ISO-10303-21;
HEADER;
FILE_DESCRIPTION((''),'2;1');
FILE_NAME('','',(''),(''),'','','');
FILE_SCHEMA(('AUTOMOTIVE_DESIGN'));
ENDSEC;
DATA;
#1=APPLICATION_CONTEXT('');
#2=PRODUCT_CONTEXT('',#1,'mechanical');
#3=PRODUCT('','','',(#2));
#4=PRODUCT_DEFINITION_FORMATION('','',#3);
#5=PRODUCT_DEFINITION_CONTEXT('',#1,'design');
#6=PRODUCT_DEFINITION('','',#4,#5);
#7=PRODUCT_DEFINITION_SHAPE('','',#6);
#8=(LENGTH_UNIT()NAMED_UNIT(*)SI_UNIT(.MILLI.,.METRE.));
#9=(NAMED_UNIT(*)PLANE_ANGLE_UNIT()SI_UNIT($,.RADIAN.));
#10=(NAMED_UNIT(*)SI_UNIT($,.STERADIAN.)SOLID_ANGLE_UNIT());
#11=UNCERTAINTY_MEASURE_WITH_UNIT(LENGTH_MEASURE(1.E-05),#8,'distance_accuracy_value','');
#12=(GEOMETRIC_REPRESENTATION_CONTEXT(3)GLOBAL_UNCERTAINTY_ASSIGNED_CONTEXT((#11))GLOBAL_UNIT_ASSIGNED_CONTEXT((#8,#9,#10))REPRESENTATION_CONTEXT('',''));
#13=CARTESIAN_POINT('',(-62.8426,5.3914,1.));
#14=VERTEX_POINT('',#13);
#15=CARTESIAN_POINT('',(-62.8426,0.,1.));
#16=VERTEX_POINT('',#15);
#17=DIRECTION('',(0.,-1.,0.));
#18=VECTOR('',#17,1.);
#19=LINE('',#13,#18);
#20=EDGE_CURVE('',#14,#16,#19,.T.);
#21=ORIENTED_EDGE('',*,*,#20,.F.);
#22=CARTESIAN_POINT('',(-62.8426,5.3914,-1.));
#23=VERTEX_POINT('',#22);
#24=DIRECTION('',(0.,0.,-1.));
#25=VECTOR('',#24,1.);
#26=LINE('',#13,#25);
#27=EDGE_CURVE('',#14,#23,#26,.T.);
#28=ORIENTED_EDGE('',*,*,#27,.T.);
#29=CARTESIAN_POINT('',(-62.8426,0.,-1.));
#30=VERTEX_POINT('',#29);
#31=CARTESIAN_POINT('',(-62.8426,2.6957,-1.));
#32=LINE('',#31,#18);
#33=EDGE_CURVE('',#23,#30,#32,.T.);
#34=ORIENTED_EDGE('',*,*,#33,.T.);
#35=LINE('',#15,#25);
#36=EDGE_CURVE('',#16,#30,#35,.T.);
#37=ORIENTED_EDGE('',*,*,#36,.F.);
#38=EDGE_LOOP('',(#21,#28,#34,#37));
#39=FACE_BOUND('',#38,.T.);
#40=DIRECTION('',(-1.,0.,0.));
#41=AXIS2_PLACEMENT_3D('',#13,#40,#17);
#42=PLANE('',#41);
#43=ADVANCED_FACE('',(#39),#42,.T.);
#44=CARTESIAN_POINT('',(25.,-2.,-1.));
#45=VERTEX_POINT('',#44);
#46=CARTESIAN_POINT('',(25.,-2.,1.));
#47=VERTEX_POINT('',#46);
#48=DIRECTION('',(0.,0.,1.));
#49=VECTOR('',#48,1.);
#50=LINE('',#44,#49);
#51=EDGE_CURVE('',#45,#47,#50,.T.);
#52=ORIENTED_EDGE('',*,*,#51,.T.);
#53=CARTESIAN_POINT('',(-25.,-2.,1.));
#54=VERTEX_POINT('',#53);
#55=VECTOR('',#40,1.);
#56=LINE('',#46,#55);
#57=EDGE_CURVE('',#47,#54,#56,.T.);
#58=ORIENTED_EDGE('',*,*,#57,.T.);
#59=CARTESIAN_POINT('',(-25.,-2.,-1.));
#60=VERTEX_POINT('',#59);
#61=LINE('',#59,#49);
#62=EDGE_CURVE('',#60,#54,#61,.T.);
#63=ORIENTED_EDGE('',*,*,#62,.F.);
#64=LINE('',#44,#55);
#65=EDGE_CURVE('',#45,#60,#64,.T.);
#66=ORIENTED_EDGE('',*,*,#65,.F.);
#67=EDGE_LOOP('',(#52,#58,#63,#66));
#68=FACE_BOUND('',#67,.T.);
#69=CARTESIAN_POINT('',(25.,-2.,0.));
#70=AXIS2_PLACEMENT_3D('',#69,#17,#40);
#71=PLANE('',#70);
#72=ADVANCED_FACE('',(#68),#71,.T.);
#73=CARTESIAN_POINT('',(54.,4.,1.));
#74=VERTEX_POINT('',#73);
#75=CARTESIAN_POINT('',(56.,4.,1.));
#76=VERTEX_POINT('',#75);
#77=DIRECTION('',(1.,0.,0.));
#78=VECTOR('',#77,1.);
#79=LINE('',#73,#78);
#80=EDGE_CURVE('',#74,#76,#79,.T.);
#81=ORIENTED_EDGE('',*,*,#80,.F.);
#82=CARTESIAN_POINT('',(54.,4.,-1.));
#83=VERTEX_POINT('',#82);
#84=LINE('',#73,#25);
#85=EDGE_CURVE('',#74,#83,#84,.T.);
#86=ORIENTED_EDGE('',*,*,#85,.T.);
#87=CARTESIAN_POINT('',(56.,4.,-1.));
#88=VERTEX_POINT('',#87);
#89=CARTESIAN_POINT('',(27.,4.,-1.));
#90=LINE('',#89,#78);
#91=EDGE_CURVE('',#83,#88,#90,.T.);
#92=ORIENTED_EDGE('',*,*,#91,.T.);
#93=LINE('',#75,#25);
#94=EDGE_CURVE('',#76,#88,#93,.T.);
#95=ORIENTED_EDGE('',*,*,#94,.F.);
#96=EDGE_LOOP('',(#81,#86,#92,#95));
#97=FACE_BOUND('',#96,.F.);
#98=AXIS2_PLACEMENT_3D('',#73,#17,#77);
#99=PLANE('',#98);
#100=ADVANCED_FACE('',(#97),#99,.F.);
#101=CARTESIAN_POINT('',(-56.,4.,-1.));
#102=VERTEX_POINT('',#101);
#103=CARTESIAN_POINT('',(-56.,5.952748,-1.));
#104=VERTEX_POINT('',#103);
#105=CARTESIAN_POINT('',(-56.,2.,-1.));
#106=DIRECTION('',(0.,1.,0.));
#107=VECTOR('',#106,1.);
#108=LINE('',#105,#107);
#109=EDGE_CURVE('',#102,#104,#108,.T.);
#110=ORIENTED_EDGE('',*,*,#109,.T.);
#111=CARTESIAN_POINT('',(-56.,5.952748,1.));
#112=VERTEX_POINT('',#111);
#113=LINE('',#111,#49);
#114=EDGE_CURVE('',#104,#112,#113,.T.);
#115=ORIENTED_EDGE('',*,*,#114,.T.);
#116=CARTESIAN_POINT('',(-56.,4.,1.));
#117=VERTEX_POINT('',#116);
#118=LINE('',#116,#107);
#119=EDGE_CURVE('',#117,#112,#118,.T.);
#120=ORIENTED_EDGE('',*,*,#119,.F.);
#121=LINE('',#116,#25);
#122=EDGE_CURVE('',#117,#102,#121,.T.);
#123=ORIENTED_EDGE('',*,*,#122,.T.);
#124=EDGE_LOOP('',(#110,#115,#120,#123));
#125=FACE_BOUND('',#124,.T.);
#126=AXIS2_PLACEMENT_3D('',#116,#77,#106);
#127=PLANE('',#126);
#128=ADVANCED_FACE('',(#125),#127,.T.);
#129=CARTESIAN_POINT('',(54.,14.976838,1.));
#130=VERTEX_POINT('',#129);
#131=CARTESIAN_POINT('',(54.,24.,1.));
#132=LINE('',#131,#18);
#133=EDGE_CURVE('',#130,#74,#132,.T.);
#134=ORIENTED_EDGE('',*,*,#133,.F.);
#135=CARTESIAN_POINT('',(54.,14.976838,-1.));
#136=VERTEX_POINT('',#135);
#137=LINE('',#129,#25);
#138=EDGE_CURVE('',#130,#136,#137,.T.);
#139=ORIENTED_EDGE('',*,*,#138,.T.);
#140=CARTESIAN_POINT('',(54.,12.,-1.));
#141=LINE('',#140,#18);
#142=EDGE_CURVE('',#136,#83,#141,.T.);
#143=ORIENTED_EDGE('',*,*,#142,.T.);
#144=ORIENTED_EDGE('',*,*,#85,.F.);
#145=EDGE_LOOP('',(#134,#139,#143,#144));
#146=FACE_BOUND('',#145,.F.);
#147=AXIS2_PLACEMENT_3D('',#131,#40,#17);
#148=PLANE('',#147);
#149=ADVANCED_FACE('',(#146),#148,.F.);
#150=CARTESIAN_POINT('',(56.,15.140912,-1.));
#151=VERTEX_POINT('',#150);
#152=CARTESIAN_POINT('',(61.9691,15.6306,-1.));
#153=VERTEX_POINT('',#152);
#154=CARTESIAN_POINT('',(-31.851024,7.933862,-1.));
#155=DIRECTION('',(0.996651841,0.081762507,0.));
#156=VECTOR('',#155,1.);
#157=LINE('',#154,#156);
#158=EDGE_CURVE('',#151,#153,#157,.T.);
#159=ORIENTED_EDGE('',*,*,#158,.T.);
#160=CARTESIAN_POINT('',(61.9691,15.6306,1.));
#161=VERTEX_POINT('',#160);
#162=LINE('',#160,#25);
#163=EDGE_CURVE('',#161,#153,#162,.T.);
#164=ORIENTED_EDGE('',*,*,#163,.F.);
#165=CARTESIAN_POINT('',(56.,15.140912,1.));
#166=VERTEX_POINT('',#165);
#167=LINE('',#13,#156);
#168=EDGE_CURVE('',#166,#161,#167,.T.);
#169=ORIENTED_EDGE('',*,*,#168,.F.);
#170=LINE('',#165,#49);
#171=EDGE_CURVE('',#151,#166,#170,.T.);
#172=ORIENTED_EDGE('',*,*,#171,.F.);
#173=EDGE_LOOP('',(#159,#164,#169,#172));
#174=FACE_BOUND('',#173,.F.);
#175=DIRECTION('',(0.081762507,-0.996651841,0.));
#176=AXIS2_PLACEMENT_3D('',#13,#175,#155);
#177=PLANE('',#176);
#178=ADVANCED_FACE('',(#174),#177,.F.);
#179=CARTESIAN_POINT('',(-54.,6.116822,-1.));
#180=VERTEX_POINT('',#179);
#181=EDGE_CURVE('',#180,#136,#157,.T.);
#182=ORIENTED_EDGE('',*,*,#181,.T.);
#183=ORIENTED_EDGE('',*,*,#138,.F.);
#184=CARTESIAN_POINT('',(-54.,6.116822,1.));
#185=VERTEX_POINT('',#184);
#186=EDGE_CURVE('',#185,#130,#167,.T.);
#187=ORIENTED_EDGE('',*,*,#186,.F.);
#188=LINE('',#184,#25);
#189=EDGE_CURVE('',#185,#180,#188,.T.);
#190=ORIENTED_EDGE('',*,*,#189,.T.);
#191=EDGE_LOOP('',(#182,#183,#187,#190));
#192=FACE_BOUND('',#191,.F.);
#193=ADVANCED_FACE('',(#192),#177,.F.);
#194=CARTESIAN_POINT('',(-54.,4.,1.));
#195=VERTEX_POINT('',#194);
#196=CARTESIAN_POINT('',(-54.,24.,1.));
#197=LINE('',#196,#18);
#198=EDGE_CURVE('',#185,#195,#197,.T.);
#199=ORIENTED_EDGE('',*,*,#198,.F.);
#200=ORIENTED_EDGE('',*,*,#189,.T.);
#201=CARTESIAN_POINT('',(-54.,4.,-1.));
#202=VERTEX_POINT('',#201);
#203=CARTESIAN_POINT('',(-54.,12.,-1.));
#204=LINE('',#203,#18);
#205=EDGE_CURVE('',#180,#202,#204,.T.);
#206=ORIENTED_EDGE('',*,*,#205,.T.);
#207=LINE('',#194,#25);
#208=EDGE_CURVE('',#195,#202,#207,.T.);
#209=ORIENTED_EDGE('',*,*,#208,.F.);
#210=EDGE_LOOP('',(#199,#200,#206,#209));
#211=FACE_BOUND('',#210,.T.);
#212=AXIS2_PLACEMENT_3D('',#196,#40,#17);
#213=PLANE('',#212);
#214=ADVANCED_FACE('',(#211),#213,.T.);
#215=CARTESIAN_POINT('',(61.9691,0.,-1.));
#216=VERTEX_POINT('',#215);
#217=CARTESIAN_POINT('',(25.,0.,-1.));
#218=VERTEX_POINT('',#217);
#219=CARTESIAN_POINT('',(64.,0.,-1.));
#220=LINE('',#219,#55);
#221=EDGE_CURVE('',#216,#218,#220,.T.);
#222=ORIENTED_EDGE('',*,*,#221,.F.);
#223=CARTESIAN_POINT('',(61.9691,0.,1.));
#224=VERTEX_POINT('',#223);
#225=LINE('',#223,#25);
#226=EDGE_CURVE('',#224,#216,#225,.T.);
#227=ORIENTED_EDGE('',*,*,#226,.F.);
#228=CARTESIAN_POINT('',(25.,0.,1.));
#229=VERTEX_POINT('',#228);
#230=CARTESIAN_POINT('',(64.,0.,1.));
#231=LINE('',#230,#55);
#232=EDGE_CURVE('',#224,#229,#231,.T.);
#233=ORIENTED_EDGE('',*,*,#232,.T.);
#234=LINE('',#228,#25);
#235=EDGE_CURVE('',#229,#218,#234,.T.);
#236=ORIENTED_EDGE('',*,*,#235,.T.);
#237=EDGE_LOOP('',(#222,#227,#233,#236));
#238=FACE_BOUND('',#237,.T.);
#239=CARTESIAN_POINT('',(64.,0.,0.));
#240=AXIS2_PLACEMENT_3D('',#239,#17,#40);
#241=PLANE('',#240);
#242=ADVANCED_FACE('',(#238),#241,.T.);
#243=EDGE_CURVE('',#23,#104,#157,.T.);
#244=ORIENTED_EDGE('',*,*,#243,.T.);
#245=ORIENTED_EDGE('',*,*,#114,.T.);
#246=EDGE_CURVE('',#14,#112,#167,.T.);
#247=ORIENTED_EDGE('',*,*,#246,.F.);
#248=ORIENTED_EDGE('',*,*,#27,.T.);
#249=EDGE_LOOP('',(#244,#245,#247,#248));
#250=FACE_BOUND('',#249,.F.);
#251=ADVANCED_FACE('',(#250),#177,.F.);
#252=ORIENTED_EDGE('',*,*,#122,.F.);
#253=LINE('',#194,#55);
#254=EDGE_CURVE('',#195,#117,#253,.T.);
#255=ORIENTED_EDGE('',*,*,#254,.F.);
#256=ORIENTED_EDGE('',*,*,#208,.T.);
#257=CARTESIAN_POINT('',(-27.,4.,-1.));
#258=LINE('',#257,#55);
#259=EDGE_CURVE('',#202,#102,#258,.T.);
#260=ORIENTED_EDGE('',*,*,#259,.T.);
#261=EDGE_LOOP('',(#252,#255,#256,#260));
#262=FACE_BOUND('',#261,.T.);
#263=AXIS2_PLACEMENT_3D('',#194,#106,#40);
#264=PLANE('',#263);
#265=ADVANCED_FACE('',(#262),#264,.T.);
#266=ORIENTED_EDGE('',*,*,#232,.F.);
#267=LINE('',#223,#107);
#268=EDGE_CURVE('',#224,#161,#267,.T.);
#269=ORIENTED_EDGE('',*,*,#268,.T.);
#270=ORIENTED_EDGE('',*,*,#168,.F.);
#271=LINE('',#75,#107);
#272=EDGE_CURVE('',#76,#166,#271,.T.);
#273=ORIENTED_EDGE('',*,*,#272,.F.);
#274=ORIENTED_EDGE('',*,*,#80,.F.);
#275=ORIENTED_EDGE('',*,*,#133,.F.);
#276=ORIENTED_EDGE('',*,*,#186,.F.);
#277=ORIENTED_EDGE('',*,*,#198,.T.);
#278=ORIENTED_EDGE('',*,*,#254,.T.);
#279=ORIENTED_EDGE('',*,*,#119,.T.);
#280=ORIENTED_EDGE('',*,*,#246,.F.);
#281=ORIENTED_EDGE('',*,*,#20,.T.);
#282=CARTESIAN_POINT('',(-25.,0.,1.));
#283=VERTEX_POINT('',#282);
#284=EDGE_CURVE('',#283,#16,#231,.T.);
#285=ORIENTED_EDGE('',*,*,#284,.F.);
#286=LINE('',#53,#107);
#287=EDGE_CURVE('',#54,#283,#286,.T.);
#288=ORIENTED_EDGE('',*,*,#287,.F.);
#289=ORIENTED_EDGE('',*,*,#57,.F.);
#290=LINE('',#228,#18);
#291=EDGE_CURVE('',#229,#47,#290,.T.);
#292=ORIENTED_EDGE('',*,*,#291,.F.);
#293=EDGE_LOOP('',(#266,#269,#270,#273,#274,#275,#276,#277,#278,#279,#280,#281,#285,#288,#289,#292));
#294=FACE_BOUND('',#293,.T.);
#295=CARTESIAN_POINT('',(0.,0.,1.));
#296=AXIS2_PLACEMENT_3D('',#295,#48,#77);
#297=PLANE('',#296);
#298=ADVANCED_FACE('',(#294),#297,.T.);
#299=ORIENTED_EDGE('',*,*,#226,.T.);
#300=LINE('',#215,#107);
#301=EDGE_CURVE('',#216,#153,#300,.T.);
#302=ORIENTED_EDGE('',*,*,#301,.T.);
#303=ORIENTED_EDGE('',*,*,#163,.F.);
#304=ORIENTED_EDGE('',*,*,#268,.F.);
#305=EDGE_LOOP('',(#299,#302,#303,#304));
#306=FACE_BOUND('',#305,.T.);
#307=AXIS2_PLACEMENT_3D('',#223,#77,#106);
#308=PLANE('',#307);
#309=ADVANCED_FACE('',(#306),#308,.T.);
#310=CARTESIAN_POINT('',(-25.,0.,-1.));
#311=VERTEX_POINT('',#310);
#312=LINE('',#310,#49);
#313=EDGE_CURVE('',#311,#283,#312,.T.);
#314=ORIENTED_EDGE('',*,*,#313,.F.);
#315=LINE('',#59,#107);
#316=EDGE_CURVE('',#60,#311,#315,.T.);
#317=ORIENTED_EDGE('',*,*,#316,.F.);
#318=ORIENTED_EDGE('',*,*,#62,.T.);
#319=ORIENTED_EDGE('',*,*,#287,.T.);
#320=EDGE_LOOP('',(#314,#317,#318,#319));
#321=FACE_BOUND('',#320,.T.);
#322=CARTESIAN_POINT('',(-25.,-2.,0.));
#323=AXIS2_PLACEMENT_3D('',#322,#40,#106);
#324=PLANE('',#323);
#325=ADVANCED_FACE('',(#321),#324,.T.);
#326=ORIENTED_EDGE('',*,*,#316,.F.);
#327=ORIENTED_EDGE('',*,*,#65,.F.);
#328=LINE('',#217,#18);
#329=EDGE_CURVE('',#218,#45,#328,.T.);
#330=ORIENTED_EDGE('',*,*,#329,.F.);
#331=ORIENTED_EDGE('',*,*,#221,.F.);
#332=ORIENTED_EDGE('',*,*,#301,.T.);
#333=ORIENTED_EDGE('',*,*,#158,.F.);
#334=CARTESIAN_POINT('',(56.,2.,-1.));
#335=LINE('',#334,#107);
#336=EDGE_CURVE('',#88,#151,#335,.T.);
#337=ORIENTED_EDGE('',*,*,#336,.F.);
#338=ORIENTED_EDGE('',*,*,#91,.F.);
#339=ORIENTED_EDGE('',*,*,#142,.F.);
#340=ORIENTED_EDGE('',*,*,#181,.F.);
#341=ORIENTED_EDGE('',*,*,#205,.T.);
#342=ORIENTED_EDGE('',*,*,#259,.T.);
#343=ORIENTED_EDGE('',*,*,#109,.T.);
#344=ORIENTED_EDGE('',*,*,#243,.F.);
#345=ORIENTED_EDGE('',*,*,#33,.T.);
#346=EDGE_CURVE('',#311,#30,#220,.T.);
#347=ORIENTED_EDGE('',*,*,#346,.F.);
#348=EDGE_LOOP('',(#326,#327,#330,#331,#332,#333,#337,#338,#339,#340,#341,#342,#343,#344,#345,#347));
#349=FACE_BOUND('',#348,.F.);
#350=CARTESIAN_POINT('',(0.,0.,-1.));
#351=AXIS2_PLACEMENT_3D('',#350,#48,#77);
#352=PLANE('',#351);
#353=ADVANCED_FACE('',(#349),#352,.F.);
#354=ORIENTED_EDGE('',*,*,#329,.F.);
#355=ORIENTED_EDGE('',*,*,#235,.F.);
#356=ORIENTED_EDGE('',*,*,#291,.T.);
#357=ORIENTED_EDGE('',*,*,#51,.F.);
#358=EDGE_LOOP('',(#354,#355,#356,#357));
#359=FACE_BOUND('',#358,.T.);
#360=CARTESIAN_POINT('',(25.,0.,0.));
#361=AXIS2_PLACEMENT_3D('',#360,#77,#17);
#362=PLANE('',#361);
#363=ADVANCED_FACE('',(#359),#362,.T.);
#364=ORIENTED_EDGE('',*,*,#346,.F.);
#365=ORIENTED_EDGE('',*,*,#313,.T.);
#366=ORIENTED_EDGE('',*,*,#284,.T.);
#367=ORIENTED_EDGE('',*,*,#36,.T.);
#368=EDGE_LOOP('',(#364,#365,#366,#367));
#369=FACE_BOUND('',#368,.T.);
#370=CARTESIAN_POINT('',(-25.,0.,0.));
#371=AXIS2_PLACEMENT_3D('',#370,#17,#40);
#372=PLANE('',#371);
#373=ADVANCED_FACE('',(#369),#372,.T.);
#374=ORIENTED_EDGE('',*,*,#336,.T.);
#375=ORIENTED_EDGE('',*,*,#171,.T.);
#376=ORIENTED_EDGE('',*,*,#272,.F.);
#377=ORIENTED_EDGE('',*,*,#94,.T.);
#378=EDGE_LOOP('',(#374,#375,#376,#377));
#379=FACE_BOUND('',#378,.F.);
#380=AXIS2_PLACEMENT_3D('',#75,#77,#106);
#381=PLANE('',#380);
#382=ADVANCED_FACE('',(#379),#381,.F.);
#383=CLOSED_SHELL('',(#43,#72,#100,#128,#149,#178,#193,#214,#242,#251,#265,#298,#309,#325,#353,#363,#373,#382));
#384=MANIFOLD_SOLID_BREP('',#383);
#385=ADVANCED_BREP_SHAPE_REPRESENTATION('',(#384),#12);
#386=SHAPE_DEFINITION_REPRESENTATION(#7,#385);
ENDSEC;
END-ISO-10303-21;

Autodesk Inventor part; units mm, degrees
ref_plane "YZ Plane" through (0, 0, 0) normal (1, 0, 0) x (0, 1, 0)
ref_plane "XZ Plane" through (0, 0, 0) normal (0, 1, 0) x (-1, 0, 0)
ref_plane "XY Plane" through (0, 0, 0) normal (0, 0, 1) x (1, 0, 0)
sketch "Sketch1" plane through (0, 0, 0) normal (0, 0, 1) x (1, 0, 0)
  line L0 (-64, 50) -> (64, 50)
  line L1 (64, 50) -> (64, 0)
  line L2 (64, 0) -> (-64, 0)
  line L3 (-64, 0) -> (-64, 50)
  line L4 (-25, 0) -> (25, 0)
  line L5 (25, 0) -> (25, -2)
  line L6 (25, -2) -> (-25, -2)
  line L7 (-25, -2) -> (-25, 0)
  point P0 (0, 0)
  point P1 (0, 0)
  dimension "d0" = 50
  dimension "d1" = 128
  dimension "d2" = 2
  dimension "d3" = 50
extrude "Extrusion1" add sketch "Sketch1" along normal mid plane 2
sketch "Sketch2" plane through (0, 0, 1) normal (0, 0, 1) x (1, 0, 0)
  line L0 (53.9533, 19.1647) -> (54.2948, 15.001) projected
  line L1 (54.2948, 15.001) -> (-55.3369, 6.0072) projected
  line L2 (-55.3369, 6.0072) -> (-55.6784, 10.1709) projected
  line L3 (-55.6784, 10.1709) -> (53.9533, 19.1647) projected
  line L4 (62.1376, 13.5765) -> (61.7855, 17.8679) projected
  line L5 (-63.1946, 7.615) -> (-62.8426, 3.3235) projected
  point P0 (0, 0)
sketch "Sketch3" plane through (0, 0, 1) normal (0, 0, 1) x (1, 0, 0)
  line L0 (-63.1946, 7.615) -> (-62.8426, 3.3235) construction
  line L1 (62.1376, 13.5765) -> (61.7855, 17.8679) construction
  line L2 (54.2948, 15.001) -> (-55.3369, 6.0072) construction
  line L3 (-62.8426, 5.3914) -> (61.9691, 15.6306)
  line L4 (-62.8426, 5.3914) -> (-62.8426, 0)
  line L5 (-62.8426, 0) -> (-72.8426, 0)
  line L6 (-72.8426, 0) -> (-72.8426, 60)
  line L7 (-72.8426, 60) -> (71.9691, 60)
  line L8 (71.9691, 60) -> (71.9691, 0)
  line L9 (71.9691, 0) -> (61.9691, 0)
  line L10 (61.9691, 0) -> (61.9691, 15.6306)
  point P0 (0, 0)
  dimension "d6" = 10
  dimension "d7" = 60
  dimension "d8" = 10
extrude "Extrusion2" cut sketch "Sketch3" against normal through all
sketch "Sketch4" plane through (0, 0, 1) normal (0, 0, 1) x (1, 0, 0)
  line L0 (56, 14.7768) -> (56, 0) projected
  line L1 (54, 14.7768) -> (56, 14.7768) projected
  line L2 (54, 0) -> (54, 14.7768) projected
  line L3 (56, 0) -> (54, 0) projected
  line L4 (-54, 5.783) -> (-54, 0) projected
  line L5 (-56, 5.783) -> (-54, 5.783) projected
  line L6 (-56, 0) -> (-56, 5.783) projected
  line L7 (-54, 0) -> (-56, 0) projected
  point P0 (0, 0)
sketch "Sketch5" plane through (0, 0, 1) normal (0, 0, 1) x (1, 0, 0)
  line L0 (-56, 0) -> (-56, 5.783) construction
  line L1 (-54, 5.783) -> (-54, 0) construction
  line L2 (54, 0) -> (54, 14.7768) construction
  line L3 (56, 14.7768) -> (56, 0) construction
  line L4 (-54, 4) -> (-56, 4)
  line L5 (-56, 4) -> (-56, 24)
  line L6 (-56, 24) -> (-54, 24)
  line L7 (-54, 24) -> (-54, 4)
  line L8 (56, 24) -> (54, 24)
  line L9 (54, 24) -> (54, 4)
  line L10 (54, 4) -> (56, 4)
  line L11 (56, 4) -> (56, 24)
  line L12 (-62.8426, 0) -> (-25, 0) projected
  line L13 (25, 0) -> (61.9691, 0) projected
  point P0 (0, 0)
  dimension "d11" = 4
  dimension "d12" = 20
  dimension "d13" = 4
  dimension "d14" = 20
extrude "Extrusion3" cut sketch "Sketch5" against normal through all
properties part number "angle_plate_long_short"
